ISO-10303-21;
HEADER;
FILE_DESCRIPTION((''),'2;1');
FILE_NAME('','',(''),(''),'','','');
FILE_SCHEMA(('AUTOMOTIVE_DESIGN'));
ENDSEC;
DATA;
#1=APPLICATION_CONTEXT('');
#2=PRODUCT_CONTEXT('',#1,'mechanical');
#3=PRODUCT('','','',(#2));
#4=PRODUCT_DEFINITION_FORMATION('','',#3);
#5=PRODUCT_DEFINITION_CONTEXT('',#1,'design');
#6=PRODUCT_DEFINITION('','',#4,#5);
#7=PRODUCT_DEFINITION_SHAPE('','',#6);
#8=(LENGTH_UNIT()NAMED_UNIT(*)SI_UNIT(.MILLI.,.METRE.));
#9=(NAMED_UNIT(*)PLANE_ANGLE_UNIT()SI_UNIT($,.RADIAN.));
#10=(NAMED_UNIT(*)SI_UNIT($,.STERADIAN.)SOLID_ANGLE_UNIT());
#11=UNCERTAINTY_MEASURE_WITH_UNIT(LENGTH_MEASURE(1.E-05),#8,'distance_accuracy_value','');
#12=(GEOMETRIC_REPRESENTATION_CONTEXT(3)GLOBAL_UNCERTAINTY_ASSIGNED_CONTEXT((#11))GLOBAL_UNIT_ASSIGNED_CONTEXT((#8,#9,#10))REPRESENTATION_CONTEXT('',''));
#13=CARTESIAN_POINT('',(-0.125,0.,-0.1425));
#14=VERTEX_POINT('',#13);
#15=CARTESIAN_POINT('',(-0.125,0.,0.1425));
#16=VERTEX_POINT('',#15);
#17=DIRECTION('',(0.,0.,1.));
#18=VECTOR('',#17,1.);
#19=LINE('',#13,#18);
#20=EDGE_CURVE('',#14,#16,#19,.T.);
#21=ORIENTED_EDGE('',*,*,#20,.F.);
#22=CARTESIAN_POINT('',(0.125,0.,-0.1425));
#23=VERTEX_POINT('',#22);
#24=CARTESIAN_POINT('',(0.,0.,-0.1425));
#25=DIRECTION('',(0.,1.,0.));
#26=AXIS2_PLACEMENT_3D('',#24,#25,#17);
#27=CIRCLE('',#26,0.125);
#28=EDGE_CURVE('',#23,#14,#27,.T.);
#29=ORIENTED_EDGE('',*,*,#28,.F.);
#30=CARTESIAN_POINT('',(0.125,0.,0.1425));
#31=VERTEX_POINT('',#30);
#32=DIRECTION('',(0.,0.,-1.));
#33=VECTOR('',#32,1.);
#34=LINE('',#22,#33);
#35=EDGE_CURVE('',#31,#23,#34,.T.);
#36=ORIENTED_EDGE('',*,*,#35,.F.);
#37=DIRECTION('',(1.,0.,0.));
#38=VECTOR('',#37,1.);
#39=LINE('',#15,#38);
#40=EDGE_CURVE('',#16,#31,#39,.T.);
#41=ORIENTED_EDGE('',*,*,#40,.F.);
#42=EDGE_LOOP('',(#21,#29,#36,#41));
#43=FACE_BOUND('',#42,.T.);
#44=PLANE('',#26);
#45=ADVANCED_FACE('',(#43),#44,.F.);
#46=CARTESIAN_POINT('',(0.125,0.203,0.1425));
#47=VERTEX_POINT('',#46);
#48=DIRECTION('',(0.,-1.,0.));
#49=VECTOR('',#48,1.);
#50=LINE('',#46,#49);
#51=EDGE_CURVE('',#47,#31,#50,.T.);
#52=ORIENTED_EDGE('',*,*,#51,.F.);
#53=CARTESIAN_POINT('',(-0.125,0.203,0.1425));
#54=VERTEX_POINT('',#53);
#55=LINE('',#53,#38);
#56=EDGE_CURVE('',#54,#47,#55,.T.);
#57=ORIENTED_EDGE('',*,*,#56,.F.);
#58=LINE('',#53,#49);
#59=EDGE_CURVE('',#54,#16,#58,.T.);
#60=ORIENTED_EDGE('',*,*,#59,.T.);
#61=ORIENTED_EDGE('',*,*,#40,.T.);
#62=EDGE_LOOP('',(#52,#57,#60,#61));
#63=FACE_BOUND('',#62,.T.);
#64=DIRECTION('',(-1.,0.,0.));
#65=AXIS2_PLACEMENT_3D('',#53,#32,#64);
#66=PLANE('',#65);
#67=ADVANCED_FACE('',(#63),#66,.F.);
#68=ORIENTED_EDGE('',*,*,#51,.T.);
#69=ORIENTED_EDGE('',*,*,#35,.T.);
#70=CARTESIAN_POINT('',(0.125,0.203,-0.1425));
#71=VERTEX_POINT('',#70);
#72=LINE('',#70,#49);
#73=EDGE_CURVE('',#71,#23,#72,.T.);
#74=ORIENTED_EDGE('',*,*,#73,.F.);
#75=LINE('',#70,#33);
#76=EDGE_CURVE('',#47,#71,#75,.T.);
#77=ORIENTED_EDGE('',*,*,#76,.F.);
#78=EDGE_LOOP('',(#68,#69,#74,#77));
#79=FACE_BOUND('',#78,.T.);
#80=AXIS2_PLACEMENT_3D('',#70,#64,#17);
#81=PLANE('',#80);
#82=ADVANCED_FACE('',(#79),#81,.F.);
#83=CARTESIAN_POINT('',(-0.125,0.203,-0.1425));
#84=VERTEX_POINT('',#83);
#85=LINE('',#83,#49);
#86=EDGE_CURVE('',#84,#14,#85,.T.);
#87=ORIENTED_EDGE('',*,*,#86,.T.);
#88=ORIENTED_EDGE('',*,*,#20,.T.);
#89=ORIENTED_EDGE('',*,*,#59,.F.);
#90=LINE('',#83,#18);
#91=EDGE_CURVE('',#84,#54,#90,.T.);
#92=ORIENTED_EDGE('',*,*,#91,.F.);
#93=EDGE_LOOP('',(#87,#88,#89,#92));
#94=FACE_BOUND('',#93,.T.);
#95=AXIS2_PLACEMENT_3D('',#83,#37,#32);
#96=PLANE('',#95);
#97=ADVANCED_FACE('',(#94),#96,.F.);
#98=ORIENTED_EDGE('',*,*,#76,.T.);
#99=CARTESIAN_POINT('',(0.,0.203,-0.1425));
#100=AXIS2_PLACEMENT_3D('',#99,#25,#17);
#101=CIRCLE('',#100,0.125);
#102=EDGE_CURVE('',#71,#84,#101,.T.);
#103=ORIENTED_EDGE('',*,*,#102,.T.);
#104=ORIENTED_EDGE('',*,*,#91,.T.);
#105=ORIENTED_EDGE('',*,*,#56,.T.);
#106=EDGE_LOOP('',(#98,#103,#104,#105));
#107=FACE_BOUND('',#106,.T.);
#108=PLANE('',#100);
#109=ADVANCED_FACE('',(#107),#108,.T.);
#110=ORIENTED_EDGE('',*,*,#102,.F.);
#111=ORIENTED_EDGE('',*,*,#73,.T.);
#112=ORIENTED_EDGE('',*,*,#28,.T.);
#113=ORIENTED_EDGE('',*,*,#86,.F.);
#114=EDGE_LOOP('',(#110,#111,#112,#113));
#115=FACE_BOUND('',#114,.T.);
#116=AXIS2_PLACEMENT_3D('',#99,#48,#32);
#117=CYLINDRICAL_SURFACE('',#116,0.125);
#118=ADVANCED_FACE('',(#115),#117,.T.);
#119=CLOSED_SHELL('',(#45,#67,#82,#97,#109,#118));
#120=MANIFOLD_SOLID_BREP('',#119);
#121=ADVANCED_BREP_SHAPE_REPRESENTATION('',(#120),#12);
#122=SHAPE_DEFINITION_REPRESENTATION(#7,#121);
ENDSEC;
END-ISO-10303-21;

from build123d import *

# Parameters (mm, degrees)
BOSS_EXTRUDE1_DEPTH = 0.203


with BuildPart() as part:
    # Sketch1 → Boss-Extrude1 (new body)
    with BuildSketch(Plane(origin=(0, 0, 0), x_dir=(1, 0, 0), z_dir=(0, 1, 0))):
        with BuildLine():
            Line((-0.125, 0.1425), (-0.125, -0.1425))
            Line((-0.125, -0.1425), (0.125, -0.1425))
            Line((0.125, -0.1425), (0.125, 0.1425))
            ThreePointArc((0.125, 0.1425), (0, 0.2675), (-0.125, 0.1425))
        make_face()
    extrude(amount=BOSS_EXTRUDE1_DEPTH)


solid = part.part
